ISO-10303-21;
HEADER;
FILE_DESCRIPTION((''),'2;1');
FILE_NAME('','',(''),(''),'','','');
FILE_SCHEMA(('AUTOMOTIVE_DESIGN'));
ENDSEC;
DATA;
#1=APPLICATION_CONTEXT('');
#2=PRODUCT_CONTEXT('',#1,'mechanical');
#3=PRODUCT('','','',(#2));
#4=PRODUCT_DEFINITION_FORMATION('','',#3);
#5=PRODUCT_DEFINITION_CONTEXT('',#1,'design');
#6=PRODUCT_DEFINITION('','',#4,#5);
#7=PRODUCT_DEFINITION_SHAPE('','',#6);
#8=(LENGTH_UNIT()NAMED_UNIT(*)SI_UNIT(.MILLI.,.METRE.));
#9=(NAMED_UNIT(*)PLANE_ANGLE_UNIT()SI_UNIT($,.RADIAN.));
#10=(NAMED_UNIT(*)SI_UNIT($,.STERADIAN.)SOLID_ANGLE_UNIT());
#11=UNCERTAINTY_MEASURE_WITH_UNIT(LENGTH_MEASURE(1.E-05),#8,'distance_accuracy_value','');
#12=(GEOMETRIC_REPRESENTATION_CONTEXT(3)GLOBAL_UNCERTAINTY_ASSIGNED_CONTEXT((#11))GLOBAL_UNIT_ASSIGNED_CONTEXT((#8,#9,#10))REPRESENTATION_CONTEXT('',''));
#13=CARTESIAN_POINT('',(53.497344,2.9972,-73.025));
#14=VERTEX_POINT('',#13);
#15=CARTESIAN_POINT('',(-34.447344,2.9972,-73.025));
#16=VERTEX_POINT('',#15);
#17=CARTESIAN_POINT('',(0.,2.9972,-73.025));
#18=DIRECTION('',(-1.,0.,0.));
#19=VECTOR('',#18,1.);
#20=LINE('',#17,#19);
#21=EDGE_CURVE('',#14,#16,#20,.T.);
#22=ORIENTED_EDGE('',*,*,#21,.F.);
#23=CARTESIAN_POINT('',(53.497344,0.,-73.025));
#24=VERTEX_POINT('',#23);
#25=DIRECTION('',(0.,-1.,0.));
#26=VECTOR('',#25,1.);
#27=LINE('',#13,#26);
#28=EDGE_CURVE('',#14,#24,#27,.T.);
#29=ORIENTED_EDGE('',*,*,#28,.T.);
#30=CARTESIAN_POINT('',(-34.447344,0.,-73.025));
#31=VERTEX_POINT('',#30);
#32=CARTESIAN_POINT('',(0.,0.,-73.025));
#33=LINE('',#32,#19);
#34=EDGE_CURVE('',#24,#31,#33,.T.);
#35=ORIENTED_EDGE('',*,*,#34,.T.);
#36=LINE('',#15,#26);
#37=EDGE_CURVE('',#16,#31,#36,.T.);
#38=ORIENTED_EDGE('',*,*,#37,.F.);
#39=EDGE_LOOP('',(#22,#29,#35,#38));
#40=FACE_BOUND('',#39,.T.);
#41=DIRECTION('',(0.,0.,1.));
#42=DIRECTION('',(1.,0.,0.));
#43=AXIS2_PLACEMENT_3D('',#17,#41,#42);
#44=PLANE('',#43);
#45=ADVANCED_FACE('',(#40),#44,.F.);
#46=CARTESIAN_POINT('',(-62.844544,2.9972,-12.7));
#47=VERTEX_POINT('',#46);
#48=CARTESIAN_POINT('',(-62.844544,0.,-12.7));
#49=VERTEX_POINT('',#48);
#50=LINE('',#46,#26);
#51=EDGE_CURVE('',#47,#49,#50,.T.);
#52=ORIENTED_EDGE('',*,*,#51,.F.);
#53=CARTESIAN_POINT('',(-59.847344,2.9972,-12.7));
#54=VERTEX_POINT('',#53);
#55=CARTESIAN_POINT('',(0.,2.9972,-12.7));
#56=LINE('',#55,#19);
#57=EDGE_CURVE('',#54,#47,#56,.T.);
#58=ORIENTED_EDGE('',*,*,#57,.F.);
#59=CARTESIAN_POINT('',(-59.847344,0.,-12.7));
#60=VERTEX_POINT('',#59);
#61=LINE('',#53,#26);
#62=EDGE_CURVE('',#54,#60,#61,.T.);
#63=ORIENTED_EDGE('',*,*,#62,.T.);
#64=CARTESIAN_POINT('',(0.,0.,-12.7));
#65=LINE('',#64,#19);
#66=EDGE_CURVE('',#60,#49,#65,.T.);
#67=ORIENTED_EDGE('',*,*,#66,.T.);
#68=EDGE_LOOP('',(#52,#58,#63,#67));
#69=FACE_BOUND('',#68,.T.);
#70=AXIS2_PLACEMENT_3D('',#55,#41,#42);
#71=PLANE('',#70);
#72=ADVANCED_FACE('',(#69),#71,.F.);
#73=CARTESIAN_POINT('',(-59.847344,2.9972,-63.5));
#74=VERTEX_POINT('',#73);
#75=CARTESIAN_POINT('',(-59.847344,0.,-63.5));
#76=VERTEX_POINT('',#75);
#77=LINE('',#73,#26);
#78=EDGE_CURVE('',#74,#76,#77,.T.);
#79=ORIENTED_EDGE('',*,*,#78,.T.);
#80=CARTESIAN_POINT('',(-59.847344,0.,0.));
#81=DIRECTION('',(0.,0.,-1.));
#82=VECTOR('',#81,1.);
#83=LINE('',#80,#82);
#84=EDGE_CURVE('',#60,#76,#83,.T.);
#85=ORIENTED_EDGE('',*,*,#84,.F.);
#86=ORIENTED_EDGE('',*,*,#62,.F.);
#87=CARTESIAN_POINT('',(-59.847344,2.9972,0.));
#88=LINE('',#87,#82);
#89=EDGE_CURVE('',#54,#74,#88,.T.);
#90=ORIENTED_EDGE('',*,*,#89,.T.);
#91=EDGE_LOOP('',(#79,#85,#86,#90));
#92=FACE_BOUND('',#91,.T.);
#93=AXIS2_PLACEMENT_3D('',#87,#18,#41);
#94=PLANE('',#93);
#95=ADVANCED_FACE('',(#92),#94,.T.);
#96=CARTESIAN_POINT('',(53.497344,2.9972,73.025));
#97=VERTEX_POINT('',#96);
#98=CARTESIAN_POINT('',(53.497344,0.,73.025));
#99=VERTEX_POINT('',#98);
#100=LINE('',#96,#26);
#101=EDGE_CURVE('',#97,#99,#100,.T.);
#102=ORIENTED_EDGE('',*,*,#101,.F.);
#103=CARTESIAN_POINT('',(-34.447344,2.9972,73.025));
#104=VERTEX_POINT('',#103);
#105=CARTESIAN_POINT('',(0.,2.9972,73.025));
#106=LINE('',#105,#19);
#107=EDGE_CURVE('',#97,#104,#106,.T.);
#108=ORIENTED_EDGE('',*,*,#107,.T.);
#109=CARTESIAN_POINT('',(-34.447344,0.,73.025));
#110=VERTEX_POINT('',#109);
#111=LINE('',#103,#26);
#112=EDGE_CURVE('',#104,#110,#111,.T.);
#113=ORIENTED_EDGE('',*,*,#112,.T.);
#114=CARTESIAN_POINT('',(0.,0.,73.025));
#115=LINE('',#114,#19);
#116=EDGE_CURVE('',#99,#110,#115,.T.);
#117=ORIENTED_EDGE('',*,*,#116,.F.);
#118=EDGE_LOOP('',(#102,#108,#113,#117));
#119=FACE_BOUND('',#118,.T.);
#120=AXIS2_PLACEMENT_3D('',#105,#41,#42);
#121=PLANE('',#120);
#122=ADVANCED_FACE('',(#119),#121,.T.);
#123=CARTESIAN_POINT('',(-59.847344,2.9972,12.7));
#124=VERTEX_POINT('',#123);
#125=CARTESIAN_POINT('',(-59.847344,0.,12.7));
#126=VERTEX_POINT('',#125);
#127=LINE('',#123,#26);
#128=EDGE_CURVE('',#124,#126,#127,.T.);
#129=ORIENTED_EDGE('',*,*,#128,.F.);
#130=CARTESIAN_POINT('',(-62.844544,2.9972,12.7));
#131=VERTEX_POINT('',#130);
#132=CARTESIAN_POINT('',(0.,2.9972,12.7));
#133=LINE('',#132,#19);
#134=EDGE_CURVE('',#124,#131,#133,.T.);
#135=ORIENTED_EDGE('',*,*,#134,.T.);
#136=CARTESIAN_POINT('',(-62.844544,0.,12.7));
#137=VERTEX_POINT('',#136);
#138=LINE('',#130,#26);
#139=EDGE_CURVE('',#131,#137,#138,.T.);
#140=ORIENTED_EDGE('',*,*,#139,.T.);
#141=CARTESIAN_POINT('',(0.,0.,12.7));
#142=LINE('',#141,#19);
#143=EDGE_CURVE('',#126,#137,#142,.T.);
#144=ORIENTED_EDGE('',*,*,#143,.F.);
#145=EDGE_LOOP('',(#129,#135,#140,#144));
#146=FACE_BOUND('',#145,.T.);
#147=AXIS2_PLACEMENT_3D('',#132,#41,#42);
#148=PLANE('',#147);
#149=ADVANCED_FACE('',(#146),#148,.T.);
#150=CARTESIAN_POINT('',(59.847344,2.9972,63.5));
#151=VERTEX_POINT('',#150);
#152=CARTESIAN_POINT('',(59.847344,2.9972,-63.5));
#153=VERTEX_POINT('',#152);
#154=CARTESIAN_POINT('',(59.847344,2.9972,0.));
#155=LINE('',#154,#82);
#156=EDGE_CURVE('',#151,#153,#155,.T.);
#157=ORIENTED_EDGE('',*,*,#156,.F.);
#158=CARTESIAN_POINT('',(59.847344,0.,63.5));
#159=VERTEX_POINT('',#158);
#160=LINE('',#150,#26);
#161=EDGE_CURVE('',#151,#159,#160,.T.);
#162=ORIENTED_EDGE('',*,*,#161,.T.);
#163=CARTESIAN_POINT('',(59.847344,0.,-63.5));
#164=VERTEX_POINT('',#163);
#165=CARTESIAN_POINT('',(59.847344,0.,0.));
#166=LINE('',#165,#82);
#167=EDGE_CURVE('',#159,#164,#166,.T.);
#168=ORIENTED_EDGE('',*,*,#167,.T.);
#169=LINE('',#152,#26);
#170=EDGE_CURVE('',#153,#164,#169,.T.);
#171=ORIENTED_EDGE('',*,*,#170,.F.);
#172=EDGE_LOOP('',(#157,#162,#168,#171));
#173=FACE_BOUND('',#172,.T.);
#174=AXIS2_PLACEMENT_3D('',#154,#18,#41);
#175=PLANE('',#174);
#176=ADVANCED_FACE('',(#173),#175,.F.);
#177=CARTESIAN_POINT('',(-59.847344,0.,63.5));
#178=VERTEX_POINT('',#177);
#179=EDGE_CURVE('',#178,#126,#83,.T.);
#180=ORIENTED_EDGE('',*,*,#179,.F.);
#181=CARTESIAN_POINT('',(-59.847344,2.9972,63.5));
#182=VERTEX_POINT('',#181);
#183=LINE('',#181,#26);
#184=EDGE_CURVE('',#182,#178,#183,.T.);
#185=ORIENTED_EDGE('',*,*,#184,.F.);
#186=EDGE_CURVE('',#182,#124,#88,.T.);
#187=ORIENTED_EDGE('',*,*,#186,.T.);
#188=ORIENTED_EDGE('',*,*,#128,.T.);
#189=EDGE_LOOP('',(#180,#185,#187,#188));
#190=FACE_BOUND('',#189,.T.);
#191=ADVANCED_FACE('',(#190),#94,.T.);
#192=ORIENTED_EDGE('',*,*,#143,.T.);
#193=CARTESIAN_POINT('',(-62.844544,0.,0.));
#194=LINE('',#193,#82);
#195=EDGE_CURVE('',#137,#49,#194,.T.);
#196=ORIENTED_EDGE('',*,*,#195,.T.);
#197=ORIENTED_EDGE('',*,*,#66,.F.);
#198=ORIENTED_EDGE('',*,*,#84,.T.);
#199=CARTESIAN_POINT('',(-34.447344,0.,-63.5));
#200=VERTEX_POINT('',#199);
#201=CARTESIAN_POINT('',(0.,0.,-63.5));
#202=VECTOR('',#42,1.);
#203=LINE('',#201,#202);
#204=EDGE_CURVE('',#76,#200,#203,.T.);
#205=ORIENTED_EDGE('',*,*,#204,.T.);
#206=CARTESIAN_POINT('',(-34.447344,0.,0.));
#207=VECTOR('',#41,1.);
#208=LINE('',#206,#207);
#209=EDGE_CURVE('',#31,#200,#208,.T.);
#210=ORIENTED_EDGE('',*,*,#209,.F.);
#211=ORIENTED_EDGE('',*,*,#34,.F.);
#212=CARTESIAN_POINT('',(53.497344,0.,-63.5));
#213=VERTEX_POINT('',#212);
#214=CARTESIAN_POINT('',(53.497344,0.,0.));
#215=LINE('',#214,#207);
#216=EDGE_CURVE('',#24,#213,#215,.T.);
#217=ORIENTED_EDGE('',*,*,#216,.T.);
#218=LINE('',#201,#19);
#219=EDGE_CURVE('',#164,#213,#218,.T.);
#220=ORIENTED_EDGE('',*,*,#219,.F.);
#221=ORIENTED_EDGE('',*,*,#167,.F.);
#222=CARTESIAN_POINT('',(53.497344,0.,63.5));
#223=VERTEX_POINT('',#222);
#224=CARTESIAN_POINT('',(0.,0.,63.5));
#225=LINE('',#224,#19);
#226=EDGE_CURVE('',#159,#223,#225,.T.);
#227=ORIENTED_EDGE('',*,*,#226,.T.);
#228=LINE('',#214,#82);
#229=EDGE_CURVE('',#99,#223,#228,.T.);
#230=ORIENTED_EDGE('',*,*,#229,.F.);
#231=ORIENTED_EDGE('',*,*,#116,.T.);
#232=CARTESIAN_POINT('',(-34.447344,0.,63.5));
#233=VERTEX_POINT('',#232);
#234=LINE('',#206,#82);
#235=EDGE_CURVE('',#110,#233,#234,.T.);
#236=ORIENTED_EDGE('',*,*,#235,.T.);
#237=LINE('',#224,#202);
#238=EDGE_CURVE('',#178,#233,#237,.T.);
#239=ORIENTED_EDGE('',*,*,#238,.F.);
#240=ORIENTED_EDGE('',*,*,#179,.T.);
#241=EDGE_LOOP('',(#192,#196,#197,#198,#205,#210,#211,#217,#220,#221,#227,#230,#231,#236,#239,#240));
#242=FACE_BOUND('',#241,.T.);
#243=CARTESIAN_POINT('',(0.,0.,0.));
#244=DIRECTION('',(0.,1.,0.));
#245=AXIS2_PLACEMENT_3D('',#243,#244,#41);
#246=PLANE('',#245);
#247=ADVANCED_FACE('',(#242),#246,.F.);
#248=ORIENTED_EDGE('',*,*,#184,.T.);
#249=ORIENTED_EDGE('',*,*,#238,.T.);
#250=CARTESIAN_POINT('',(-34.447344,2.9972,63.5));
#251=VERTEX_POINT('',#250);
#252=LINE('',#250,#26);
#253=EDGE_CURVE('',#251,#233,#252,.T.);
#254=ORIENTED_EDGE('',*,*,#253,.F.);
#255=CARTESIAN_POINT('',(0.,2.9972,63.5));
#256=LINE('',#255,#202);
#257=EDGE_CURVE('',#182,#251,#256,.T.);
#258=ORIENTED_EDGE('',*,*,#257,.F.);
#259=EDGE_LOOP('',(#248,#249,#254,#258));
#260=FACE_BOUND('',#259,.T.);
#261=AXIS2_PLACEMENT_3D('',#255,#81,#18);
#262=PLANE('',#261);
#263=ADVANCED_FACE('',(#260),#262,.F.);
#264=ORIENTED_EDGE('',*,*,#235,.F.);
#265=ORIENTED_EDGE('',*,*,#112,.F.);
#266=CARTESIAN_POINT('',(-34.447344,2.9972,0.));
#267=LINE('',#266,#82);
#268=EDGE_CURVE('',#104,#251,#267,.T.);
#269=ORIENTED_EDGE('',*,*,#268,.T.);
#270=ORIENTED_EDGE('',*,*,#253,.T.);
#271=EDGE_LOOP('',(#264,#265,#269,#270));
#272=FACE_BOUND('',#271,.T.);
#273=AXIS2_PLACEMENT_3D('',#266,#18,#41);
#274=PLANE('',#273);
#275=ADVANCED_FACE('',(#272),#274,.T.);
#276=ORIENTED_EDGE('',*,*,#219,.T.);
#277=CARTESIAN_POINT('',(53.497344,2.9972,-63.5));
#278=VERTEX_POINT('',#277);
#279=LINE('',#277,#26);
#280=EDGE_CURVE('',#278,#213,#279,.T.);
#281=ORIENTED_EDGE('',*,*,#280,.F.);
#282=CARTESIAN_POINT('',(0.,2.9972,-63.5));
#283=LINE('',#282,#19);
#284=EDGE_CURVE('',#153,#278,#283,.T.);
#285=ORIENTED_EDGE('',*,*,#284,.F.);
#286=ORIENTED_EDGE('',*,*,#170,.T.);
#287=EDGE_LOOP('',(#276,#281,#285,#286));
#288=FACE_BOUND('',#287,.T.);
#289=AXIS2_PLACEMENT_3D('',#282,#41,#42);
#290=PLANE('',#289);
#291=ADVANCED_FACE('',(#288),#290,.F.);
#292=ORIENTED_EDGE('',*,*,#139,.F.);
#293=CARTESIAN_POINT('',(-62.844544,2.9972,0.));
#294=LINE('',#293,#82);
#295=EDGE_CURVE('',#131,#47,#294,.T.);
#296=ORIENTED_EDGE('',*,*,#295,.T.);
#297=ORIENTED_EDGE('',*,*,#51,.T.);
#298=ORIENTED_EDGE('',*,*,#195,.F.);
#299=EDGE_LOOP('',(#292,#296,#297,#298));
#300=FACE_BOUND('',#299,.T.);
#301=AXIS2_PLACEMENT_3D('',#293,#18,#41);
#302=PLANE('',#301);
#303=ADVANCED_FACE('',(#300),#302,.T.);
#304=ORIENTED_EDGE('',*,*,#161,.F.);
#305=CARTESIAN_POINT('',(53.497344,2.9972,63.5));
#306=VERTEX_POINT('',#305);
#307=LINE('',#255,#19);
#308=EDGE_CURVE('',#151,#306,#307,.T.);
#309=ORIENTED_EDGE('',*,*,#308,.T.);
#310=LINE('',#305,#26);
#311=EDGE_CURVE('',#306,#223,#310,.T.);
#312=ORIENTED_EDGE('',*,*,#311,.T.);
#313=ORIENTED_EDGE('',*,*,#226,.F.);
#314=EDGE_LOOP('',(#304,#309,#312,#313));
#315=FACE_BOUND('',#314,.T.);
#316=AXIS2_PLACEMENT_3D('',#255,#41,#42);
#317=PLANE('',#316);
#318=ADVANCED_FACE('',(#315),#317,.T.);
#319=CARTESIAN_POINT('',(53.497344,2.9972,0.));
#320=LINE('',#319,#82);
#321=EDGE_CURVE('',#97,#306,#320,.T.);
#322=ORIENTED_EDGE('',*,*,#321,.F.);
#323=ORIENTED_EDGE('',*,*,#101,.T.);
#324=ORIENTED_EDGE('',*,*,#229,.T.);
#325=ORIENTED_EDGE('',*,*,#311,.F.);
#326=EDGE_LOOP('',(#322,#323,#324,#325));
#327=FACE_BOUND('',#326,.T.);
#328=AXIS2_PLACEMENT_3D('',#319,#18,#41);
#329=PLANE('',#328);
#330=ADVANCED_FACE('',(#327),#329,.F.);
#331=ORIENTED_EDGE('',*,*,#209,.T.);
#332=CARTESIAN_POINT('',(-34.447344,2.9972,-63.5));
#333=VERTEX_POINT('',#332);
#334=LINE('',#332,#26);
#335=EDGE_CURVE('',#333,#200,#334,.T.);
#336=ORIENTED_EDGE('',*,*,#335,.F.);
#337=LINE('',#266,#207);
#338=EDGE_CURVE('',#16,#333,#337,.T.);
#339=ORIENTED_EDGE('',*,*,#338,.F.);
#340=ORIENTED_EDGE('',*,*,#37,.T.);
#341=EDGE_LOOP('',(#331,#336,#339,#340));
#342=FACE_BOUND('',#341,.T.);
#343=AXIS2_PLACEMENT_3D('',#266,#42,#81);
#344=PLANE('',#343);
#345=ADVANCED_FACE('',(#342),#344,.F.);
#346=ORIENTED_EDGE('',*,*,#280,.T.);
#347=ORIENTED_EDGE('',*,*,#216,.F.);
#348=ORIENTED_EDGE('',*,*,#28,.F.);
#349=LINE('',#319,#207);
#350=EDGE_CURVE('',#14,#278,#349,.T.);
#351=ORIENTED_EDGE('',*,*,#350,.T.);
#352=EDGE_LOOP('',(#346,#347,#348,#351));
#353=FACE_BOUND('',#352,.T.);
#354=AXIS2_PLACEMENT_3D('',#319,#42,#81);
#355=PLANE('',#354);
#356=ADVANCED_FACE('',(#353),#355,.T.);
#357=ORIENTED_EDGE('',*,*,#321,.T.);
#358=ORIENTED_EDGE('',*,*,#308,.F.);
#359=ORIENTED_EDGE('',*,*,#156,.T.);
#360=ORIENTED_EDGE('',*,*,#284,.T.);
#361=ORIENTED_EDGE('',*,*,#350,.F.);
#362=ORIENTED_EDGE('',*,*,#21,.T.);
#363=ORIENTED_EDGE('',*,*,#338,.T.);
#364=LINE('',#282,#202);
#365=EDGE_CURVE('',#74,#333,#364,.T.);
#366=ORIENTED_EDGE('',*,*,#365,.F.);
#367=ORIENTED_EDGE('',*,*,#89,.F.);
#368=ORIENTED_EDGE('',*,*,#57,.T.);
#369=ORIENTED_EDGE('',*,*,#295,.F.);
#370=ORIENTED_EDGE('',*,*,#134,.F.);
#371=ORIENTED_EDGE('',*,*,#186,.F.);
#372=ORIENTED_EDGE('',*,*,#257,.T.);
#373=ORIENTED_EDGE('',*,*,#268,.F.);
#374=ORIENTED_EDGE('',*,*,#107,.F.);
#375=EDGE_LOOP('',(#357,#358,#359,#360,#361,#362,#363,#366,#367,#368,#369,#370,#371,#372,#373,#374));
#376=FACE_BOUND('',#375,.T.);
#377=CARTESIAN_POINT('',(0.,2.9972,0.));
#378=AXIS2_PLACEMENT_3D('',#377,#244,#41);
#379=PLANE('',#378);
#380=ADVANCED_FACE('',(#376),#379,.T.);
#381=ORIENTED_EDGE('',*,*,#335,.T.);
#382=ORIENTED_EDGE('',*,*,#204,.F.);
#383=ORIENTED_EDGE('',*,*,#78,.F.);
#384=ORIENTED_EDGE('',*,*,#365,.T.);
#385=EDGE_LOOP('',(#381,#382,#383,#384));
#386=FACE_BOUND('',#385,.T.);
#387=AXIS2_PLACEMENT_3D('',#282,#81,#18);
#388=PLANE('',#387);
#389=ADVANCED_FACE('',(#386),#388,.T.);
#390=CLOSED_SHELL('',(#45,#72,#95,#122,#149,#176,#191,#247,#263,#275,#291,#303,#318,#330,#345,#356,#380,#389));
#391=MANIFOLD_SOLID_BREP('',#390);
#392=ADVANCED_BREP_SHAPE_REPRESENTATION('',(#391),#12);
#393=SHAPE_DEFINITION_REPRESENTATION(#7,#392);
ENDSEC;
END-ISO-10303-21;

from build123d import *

# Parameters (mm, degrees)
BOSS_EXTRUDE1_DEPTH = 2.9972


with BuildPart() as part:
    # Sketch1 → Boss-Extrude1 (new body)
    with BuildSketch(Plane(origin=(0, 0, 0), x_dir=(1, 0, 0), z_dir=(0, 1, 0))):
        Polygon((-34.447343983, -73.025), (53.497343983, -73.025), (53.497343983, -63.5), (59.847343983, -63.5), (59.847343983, 63.5), (53.497343983, 63.5), (53.497343983, 73.025), (-34.447343983, 73.025), (-34.447343983, 63.5), (-59.847343983, 63.5), (-59.847343983, 12.7), (-62.844543983, 12.7), (-62.844543983, -12.7), (-59.847343983, -12.7), (-59.847343983, -63.5), (-34.447343983, -63.5), align=None)
    extrude(amount=BOSS_EXTRUDE1_DEPTH)


solid = part.part
